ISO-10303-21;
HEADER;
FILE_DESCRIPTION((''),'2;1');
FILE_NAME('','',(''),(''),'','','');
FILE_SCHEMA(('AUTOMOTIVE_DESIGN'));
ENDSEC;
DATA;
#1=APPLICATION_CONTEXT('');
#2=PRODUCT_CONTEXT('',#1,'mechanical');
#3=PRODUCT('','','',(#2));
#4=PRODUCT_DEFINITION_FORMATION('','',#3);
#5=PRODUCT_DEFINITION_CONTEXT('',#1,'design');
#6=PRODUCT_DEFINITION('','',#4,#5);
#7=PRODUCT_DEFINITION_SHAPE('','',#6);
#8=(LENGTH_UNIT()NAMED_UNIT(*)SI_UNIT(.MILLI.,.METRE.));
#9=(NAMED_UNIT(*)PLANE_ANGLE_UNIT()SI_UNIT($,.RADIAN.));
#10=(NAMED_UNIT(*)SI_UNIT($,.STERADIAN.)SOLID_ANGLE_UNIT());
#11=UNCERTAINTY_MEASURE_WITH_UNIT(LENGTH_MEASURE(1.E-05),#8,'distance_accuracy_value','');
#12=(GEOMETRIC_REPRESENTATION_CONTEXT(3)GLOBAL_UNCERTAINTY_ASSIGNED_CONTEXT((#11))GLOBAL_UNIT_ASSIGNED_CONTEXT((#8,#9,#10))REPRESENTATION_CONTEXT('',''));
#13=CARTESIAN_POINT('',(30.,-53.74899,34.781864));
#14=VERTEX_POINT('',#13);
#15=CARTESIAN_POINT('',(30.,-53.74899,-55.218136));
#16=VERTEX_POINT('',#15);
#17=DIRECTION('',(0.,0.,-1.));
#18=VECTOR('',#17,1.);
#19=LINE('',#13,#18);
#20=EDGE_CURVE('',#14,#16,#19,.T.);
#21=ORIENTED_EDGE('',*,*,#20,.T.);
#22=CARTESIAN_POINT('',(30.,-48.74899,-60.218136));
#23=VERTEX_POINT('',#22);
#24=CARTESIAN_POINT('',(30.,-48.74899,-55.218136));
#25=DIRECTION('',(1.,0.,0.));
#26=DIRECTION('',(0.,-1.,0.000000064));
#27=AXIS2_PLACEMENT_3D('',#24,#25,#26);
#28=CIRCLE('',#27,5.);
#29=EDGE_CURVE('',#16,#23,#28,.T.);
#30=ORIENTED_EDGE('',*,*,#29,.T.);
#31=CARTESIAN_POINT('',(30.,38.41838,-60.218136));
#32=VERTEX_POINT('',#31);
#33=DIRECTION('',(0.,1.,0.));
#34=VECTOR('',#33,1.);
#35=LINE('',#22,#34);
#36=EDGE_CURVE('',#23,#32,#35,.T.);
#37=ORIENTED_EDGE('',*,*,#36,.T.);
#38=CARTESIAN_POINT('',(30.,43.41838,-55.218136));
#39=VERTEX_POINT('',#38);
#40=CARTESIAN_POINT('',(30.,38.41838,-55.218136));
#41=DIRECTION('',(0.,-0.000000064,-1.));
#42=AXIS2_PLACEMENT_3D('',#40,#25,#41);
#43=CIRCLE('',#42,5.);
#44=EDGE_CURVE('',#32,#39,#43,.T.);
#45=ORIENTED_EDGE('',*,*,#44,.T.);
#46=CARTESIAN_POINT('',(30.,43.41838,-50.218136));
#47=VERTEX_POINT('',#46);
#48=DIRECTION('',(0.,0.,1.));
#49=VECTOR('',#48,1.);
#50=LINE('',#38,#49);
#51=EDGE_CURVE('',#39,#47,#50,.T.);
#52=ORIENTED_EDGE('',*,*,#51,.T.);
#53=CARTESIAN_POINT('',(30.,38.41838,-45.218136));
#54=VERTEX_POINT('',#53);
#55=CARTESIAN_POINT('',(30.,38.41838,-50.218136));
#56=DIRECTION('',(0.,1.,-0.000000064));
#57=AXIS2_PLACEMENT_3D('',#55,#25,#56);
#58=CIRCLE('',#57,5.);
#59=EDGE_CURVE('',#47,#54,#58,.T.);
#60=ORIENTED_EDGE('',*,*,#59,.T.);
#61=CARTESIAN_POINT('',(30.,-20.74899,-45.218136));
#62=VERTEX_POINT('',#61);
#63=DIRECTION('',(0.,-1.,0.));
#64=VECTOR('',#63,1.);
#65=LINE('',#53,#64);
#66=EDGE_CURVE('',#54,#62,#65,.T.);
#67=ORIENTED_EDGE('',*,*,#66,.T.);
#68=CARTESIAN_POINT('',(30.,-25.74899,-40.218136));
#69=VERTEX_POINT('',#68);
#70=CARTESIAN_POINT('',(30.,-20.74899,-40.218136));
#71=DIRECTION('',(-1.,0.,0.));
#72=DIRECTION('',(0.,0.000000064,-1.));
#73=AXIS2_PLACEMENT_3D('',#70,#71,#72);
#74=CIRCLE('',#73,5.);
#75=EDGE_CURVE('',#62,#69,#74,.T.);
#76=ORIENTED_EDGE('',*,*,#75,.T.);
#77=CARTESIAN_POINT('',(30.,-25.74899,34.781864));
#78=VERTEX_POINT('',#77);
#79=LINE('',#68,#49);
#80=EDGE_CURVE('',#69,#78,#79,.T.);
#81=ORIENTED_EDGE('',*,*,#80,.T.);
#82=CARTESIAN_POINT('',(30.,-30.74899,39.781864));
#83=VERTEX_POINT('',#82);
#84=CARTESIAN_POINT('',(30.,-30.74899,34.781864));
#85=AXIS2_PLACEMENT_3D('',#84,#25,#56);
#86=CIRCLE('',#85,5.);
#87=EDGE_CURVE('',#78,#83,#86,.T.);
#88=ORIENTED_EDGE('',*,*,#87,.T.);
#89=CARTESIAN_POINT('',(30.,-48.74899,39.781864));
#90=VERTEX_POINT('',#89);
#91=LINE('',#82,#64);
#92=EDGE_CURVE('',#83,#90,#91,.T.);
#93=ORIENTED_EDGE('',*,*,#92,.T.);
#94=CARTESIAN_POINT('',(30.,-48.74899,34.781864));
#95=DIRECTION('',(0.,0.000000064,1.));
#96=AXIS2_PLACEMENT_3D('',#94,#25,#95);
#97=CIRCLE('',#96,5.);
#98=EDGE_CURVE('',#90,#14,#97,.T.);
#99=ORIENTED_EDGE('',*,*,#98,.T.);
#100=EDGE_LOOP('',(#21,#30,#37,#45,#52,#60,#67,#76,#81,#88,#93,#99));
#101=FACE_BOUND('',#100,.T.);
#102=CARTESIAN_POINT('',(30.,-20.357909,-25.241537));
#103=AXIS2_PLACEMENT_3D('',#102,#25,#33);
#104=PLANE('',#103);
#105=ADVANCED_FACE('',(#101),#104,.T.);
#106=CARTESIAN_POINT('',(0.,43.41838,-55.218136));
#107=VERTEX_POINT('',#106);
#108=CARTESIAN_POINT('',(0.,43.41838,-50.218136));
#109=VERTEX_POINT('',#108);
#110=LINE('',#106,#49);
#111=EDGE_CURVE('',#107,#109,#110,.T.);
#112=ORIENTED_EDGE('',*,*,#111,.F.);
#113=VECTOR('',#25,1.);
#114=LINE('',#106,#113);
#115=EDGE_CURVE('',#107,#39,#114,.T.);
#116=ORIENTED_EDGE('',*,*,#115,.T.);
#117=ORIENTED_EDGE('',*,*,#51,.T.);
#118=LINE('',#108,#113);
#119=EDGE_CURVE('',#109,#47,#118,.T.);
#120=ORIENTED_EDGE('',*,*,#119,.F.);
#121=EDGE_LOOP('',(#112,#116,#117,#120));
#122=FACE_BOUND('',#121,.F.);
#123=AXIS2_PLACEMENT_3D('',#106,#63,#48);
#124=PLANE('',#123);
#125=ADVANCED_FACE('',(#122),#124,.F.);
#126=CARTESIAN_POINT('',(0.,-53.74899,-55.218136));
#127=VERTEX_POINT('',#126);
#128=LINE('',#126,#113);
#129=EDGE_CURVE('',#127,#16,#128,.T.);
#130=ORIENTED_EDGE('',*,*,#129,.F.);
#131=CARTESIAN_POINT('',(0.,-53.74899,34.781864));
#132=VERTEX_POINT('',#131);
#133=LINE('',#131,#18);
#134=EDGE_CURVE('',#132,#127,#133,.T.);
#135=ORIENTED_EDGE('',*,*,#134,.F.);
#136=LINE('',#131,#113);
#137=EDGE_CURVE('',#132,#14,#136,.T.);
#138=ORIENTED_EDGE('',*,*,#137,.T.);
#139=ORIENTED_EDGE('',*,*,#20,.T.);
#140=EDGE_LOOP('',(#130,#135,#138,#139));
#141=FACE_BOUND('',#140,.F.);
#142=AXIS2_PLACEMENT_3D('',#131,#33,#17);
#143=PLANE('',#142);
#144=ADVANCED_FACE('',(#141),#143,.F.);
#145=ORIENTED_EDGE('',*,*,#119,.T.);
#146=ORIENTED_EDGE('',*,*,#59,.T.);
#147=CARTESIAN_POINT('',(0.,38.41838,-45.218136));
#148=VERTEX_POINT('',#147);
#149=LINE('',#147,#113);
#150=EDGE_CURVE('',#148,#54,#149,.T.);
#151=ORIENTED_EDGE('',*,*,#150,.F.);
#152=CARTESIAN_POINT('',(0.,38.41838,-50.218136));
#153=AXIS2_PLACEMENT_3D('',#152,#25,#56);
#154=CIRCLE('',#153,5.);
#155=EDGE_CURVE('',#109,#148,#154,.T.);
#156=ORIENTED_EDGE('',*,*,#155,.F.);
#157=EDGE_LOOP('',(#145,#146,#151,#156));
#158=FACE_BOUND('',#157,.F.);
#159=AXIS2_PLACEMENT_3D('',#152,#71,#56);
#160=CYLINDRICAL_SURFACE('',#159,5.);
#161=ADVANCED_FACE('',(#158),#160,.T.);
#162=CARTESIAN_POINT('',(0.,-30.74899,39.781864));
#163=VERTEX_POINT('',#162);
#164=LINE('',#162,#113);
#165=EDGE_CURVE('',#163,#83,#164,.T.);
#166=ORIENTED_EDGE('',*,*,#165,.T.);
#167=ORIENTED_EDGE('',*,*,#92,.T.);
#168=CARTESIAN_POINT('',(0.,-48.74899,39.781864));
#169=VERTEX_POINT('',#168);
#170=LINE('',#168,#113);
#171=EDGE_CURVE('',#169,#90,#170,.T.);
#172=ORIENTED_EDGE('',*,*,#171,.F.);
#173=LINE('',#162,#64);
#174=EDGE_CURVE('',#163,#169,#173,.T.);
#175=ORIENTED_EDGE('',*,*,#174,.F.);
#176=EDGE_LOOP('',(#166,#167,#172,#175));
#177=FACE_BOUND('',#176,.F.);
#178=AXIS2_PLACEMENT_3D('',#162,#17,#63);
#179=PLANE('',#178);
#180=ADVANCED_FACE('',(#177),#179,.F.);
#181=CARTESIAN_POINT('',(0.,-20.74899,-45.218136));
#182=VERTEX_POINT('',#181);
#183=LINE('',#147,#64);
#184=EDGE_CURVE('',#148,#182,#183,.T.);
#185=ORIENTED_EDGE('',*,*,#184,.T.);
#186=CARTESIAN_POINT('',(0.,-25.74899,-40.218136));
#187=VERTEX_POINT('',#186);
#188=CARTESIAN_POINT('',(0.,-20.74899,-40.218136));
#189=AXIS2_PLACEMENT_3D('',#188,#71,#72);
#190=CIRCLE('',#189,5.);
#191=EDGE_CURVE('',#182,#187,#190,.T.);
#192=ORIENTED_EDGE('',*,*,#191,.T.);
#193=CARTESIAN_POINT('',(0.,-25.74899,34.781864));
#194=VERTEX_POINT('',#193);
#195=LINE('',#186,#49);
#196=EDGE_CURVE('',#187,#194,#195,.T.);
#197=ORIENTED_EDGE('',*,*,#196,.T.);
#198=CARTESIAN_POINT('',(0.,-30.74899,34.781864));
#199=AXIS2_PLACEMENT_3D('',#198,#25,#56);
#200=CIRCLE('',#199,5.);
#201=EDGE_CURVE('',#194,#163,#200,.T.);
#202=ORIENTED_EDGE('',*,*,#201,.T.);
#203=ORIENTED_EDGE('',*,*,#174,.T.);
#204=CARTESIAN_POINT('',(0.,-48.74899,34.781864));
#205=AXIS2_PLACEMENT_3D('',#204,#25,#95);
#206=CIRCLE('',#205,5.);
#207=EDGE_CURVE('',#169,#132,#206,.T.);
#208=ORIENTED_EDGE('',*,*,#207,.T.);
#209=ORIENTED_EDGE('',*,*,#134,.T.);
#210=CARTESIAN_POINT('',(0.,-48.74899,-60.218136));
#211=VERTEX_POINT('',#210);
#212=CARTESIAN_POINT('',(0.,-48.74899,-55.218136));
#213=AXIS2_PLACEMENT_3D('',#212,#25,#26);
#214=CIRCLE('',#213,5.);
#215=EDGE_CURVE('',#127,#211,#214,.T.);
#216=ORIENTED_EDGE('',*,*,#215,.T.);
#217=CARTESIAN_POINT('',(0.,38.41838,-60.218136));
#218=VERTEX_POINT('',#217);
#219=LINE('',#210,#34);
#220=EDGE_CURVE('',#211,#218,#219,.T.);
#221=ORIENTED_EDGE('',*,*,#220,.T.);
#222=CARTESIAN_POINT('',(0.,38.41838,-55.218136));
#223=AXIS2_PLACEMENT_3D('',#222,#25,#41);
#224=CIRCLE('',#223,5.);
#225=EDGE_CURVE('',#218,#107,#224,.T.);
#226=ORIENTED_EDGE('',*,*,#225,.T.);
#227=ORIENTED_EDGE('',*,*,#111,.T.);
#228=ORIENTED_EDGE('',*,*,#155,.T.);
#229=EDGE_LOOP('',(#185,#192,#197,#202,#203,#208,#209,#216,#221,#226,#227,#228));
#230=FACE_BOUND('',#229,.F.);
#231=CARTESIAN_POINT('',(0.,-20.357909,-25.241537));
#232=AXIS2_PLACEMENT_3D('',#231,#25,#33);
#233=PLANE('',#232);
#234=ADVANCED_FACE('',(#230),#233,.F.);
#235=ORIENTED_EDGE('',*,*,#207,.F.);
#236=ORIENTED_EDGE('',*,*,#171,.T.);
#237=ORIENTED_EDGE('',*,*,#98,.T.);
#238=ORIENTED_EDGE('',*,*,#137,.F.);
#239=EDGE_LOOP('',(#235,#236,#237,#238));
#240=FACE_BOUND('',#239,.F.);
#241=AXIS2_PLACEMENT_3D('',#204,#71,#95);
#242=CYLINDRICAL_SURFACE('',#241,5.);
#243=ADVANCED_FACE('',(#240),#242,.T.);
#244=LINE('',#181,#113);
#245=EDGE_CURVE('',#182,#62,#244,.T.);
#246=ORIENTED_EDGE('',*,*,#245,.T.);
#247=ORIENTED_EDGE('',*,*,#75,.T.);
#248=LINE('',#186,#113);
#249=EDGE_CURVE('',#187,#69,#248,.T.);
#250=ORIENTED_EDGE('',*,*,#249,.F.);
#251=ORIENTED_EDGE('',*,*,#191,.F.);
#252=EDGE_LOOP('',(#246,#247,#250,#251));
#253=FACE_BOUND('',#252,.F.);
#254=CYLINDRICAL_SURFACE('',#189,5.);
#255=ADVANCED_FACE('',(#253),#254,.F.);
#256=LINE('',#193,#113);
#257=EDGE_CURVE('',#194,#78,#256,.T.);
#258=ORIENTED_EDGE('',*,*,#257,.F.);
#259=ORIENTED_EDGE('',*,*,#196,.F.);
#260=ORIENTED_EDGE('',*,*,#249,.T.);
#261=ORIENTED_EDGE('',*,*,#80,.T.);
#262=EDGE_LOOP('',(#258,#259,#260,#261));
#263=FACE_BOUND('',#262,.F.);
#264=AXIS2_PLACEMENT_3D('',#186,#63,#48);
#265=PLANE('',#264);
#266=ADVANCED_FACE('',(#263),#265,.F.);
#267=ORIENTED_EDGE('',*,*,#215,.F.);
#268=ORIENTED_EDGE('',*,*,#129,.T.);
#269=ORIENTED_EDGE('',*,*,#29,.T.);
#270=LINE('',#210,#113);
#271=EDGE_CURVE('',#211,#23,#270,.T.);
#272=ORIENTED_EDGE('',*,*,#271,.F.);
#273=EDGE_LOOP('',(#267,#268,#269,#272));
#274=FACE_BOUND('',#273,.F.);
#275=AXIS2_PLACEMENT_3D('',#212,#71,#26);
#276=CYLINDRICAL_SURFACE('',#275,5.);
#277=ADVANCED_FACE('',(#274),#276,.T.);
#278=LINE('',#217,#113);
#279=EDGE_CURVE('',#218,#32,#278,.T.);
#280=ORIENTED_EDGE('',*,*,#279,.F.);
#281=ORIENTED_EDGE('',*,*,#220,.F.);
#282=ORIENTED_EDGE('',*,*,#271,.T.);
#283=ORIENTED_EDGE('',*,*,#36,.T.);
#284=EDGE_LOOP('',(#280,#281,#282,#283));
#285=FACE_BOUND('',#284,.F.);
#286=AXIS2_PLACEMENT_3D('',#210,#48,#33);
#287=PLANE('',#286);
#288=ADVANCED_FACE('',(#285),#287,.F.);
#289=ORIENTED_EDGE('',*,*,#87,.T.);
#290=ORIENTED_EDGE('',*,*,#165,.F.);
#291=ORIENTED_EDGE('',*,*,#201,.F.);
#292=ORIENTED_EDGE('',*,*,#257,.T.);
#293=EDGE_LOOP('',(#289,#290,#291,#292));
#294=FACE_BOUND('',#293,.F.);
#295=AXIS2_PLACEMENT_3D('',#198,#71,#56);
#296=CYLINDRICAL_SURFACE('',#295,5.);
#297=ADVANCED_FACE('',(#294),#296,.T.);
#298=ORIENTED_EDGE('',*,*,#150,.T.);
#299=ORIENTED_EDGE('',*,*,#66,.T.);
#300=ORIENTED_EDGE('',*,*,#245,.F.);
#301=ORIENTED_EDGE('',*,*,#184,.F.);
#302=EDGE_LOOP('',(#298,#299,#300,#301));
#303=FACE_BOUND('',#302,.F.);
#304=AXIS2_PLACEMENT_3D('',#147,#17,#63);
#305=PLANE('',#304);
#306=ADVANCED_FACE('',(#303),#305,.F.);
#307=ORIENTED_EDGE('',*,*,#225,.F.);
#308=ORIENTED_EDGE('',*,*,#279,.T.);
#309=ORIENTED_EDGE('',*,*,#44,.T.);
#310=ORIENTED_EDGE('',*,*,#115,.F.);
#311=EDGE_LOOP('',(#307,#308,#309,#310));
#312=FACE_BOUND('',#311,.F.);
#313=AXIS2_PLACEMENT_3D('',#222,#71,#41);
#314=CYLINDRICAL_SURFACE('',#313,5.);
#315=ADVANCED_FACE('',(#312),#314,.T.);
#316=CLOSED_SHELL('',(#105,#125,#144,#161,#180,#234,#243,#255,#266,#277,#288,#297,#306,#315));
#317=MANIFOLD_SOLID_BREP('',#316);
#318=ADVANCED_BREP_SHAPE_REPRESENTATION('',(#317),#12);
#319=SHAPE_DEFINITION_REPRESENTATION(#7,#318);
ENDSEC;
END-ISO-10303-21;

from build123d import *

# Parameters (mm, degrees)
F1_DEPTH = 30


with BuildPart() as f1:
    # F0 (on Right) → F1 (new body)
    with BuildSketch(Plane.YZ):
        with BuildLine():
            Line((-30.74899, 39.781864), (-48.74899, 39.781864))
            ThreePointArc((-48.74899, 39.781864), (-52.284524, 38.317398), (-53.74899, 34.781864))
            Line((-53.74899, 34.781864), (-53.74899, -55.218136))
            ThreePointArc((-53.74899, -55.218136), (-52.284524, -58.75367), (-48.74899, -60.218136))
            Line((-48.74899, -60.218136), (38.41838, -60.218136))
            ThreePointArc((38.41838, -60.218136), (41.953914, -58.75367), (43.41838, -55.218136))
            Line((43.41838, -55.218136), (43.41838, -50.218136))
            ThreePointArc((43.41838, -50.218136), (41.953914, -46.682602), (38.41838, -45.218136))
            Line((38.41838, -45.218136), (-20.74899, -45.218136))
            ThreePointArc((-20.74899, -45.218136), (-24.284524, -43.75367), (-25.74899, -40.218136))
            Line((-25.74899, -40.218136), (-25.74899, 34.781864))
            ThreePointArc((-25.74899, 34.781864), (-27.213456, 38.317398), (-30.74899, 39.781864))
        make_face()
    extrude(amount=F1_DEPTH)


solid = f1.part
